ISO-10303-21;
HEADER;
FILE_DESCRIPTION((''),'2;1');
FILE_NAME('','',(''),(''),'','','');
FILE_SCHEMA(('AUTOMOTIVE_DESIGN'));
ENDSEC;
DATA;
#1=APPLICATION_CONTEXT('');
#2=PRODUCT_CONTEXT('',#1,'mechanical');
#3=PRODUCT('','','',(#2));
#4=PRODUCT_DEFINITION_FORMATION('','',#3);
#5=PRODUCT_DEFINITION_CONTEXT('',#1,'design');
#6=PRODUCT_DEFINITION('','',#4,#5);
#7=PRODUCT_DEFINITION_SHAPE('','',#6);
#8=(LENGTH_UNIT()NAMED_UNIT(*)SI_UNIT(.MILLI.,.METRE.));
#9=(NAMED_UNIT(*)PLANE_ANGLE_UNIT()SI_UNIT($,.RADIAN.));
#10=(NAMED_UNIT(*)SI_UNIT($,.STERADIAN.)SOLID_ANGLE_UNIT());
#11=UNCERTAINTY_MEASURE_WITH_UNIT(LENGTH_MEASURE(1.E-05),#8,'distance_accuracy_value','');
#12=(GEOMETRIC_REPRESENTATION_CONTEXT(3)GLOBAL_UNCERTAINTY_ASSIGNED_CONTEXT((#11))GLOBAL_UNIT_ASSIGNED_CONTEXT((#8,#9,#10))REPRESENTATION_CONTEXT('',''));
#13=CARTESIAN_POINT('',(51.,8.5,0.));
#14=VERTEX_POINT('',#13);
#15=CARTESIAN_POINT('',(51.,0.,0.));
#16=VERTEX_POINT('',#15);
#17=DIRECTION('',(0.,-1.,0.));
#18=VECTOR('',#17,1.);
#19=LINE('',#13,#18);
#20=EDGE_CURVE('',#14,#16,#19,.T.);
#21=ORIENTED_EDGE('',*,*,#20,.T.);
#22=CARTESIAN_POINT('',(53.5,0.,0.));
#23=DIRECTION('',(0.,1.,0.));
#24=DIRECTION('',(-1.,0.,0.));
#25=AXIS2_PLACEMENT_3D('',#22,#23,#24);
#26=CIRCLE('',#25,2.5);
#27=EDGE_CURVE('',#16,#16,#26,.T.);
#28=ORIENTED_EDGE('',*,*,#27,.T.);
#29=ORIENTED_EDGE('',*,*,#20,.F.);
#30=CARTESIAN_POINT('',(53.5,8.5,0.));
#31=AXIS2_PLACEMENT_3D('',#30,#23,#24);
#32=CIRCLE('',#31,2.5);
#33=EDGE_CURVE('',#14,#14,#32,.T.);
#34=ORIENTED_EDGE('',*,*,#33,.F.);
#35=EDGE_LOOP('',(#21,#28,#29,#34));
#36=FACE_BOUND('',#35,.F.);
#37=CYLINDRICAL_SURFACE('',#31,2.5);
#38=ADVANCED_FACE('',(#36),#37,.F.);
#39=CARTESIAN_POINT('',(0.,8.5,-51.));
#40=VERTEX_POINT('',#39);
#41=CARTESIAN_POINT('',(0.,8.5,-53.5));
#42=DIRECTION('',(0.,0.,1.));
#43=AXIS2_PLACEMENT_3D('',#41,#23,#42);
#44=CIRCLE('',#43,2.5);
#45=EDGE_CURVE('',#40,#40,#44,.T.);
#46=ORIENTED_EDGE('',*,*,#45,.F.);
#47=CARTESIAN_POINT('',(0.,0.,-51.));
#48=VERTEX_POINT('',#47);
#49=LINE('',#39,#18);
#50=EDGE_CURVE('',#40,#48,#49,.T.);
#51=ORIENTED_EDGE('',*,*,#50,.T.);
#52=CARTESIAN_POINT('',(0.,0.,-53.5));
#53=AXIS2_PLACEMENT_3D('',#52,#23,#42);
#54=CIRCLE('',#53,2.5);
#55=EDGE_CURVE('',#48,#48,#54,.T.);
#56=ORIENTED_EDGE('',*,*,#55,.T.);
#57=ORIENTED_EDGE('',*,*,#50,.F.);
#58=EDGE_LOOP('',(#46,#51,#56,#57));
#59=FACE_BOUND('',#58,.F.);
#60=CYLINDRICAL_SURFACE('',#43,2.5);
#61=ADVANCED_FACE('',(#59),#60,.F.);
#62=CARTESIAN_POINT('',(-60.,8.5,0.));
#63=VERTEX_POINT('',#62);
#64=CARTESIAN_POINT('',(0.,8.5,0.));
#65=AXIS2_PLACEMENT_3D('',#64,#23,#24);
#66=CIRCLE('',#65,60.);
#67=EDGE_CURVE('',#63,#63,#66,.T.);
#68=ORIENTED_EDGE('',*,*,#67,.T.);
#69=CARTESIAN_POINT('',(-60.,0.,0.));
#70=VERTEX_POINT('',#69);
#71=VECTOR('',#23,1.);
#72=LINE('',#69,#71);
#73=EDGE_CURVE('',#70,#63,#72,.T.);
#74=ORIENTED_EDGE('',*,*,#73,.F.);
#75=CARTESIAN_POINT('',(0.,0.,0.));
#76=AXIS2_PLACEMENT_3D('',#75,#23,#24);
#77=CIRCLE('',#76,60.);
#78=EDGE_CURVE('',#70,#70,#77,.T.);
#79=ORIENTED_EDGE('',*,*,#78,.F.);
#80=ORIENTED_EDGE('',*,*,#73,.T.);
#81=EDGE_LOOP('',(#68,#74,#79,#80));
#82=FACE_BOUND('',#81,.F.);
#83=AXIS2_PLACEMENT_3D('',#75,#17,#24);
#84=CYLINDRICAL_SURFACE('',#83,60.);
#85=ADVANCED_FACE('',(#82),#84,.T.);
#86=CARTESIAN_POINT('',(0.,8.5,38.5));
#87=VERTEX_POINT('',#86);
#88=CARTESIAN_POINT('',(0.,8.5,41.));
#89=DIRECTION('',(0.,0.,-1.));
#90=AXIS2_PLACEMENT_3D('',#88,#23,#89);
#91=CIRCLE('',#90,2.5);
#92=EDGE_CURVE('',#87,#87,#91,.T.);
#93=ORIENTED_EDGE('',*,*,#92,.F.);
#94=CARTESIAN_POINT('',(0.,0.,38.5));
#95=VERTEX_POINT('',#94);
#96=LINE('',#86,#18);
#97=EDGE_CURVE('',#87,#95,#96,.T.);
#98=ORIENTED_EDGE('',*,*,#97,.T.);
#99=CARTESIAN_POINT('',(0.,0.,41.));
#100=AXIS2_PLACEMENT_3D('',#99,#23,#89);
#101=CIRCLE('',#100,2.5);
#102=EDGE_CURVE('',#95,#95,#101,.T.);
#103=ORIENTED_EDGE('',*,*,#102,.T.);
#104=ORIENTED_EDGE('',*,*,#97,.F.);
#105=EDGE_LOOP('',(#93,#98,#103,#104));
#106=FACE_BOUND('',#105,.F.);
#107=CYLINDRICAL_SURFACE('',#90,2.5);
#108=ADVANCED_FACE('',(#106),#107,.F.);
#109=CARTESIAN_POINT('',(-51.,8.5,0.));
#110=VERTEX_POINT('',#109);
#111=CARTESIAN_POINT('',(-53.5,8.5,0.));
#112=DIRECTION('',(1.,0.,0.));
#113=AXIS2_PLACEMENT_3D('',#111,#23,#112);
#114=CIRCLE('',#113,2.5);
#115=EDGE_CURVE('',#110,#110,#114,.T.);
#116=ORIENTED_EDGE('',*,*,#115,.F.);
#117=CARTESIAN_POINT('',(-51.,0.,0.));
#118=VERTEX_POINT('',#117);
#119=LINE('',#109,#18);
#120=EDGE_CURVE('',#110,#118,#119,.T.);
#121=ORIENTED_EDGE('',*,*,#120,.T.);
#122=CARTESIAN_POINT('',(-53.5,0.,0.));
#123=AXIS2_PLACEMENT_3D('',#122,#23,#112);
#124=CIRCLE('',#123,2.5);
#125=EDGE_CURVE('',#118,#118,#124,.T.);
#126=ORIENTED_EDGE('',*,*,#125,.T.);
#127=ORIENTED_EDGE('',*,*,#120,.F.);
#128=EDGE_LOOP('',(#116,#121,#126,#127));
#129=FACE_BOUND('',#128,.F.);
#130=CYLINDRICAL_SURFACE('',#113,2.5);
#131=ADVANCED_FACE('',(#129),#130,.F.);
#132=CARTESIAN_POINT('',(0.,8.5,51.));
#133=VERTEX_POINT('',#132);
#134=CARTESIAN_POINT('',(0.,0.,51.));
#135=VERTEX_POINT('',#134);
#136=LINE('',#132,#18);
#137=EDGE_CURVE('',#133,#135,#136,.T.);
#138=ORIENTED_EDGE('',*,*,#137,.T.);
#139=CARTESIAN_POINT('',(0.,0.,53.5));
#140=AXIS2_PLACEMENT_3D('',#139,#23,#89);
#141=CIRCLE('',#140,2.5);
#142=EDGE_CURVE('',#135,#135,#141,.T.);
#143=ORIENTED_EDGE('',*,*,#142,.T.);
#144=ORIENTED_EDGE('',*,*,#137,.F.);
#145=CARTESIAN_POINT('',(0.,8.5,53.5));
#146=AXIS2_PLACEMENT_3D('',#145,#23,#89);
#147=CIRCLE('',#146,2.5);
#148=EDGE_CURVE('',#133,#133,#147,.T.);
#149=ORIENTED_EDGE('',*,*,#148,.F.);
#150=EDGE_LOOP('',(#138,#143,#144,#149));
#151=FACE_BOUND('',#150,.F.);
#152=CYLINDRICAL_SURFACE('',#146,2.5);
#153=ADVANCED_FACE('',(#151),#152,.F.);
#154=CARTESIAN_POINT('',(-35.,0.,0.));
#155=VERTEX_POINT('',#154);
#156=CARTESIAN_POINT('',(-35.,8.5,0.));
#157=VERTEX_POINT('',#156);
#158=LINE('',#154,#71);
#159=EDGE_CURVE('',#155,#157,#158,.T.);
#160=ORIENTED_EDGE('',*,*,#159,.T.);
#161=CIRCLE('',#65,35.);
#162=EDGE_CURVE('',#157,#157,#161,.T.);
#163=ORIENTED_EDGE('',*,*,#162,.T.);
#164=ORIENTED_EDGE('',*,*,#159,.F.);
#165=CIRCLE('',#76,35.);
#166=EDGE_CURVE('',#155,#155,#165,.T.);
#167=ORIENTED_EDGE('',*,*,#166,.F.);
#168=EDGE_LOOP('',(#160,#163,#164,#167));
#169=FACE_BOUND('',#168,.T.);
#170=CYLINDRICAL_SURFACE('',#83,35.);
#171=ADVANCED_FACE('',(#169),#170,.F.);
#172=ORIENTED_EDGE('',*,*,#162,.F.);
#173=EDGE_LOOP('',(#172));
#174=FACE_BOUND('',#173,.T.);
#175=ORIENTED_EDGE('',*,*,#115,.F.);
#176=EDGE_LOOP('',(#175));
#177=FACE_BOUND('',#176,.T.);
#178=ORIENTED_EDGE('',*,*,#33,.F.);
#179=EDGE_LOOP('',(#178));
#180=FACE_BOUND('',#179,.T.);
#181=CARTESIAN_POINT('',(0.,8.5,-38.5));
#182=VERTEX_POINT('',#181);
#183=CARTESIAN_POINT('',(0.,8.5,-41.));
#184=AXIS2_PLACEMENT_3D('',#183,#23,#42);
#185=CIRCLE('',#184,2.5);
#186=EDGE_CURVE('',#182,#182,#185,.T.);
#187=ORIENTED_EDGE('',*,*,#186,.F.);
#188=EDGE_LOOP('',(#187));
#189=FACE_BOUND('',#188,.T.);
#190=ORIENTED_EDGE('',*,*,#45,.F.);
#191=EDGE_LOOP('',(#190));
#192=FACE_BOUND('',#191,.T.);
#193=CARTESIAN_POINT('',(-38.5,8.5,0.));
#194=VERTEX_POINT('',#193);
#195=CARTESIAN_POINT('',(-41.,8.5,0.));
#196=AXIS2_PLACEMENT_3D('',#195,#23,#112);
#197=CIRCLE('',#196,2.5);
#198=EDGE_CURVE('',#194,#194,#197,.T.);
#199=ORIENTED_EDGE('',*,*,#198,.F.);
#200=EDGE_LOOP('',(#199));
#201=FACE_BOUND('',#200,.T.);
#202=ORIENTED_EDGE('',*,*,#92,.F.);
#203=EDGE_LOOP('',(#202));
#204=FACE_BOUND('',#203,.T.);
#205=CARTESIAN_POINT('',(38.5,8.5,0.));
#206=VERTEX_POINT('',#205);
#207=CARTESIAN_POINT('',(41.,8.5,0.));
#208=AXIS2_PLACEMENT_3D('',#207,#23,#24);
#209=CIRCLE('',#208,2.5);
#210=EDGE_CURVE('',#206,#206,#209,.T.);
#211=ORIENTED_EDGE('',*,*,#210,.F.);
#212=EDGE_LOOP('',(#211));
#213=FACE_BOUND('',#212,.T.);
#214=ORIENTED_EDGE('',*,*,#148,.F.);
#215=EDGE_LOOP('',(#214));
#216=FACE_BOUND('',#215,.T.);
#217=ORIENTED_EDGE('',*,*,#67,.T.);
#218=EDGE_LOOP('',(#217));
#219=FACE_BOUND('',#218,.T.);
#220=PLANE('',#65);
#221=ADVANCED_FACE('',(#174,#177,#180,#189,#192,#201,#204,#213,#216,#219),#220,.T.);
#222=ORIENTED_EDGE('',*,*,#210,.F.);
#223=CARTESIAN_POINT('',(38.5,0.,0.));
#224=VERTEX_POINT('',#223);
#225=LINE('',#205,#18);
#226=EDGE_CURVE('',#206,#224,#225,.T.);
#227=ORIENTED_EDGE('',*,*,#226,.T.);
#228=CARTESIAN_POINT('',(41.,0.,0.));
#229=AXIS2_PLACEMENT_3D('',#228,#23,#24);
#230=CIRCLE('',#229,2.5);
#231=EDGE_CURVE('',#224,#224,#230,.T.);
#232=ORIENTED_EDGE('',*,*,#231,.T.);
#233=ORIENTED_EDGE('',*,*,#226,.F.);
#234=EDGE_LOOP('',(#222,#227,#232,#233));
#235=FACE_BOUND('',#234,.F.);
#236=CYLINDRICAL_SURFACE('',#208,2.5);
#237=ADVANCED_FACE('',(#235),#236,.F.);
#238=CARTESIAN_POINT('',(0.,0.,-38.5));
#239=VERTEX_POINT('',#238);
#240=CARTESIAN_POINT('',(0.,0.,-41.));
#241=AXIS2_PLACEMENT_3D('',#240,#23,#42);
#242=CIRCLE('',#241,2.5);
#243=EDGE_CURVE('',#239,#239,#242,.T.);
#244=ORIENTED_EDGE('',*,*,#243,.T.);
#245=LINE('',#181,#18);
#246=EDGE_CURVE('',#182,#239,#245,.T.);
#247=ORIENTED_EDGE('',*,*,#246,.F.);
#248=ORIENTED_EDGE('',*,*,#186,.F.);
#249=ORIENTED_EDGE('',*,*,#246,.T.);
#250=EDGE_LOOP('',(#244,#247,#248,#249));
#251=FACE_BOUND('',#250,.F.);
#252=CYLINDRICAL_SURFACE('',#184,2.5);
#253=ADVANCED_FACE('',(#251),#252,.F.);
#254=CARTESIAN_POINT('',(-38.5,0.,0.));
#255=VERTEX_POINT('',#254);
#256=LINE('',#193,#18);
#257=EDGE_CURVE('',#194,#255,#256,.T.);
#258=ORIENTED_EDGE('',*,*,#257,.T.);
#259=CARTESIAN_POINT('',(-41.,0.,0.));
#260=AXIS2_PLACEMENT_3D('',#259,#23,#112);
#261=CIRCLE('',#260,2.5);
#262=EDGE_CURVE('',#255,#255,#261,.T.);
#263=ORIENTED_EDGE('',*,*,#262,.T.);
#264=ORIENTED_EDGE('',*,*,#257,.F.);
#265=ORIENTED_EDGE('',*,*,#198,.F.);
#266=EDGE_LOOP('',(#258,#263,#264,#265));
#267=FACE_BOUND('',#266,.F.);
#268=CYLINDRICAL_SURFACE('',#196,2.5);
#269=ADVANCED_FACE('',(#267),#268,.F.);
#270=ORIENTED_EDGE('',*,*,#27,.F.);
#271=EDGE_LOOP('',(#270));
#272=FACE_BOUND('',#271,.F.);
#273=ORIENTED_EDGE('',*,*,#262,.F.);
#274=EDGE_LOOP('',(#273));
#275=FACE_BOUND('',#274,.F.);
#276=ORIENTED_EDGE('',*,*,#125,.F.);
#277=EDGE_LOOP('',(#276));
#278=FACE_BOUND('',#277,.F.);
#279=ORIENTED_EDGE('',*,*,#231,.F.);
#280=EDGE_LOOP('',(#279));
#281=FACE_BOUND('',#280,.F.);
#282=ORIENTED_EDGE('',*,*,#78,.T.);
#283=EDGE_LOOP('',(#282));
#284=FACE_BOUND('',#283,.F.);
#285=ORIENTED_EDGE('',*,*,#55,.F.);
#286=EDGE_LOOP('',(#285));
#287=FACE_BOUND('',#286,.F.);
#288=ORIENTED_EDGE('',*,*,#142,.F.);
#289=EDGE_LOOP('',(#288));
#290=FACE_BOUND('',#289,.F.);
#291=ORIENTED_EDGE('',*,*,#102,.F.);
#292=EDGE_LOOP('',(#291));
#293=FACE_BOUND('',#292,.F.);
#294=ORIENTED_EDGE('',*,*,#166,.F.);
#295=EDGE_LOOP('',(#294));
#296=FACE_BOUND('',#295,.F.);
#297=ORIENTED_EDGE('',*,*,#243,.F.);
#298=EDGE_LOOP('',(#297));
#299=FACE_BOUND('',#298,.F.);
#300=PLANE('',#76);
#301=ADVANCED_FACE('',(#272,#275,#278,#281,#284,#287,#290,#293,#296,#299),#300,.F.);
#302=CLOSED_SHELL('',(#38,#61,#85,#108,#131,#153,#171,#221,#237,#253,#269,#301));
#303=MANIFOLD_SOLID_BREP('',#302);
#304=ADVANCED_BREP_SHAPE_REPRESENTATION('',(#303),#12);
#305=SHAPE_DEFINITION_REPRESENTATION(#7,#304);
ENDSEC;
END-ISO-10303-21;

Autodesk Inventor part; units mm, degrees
ref_plane "YZ Plane" through (0, 0, 0) normal (1, 0, 0) x (0, 1, 0)
ref_plane "XZ Plane" through (0, 0, 0) normal (0, 1, 0) x (-1, 0, 0)
ref_plane "XY Plane" through (0, 0, 0) normal (0, 0, 1) x (1, 0, 0)
sketch "Sketch1" plane through (0, 0, 0) normal (0, 1, 0) x (-1, 0, 0)
  circle A0 centre (0, 0) radius 35
  circle A1 centre (0, 0) radius 60
  dimension "d0" = 70
  dimension "d1" = 120
extrude "Extrusion1" add sketch "Sketch1" along normal blind 8.5
sketch "Sketch2" plane through (0, 8.5, 0) normal (0, 1, 0) x (1, 0, 0)
  circle A0 centre (-41, 0) radius 2.5
  circle A1 centre (-53.5, 0) radius 2.5
  line L0 (-41, 0) -> (0, 0) construction
  line L1 (-41, 0) -> (-53.5, 0) construction
  dimension "d4" = 5
  dimension "d5" = 5
  dimension "d6" = 41
  dimension "d7" = 53.5
extrude "Extrusion2" cut sketch "Sketch2" against normal through all
pattern_circular "Circular Pattern1" count 4 over 360 about axis through (0, 0, 0) along (0, 1, 0) of "Extrusion2"
properties part number "Bearing" material "Aluminum 6061"
